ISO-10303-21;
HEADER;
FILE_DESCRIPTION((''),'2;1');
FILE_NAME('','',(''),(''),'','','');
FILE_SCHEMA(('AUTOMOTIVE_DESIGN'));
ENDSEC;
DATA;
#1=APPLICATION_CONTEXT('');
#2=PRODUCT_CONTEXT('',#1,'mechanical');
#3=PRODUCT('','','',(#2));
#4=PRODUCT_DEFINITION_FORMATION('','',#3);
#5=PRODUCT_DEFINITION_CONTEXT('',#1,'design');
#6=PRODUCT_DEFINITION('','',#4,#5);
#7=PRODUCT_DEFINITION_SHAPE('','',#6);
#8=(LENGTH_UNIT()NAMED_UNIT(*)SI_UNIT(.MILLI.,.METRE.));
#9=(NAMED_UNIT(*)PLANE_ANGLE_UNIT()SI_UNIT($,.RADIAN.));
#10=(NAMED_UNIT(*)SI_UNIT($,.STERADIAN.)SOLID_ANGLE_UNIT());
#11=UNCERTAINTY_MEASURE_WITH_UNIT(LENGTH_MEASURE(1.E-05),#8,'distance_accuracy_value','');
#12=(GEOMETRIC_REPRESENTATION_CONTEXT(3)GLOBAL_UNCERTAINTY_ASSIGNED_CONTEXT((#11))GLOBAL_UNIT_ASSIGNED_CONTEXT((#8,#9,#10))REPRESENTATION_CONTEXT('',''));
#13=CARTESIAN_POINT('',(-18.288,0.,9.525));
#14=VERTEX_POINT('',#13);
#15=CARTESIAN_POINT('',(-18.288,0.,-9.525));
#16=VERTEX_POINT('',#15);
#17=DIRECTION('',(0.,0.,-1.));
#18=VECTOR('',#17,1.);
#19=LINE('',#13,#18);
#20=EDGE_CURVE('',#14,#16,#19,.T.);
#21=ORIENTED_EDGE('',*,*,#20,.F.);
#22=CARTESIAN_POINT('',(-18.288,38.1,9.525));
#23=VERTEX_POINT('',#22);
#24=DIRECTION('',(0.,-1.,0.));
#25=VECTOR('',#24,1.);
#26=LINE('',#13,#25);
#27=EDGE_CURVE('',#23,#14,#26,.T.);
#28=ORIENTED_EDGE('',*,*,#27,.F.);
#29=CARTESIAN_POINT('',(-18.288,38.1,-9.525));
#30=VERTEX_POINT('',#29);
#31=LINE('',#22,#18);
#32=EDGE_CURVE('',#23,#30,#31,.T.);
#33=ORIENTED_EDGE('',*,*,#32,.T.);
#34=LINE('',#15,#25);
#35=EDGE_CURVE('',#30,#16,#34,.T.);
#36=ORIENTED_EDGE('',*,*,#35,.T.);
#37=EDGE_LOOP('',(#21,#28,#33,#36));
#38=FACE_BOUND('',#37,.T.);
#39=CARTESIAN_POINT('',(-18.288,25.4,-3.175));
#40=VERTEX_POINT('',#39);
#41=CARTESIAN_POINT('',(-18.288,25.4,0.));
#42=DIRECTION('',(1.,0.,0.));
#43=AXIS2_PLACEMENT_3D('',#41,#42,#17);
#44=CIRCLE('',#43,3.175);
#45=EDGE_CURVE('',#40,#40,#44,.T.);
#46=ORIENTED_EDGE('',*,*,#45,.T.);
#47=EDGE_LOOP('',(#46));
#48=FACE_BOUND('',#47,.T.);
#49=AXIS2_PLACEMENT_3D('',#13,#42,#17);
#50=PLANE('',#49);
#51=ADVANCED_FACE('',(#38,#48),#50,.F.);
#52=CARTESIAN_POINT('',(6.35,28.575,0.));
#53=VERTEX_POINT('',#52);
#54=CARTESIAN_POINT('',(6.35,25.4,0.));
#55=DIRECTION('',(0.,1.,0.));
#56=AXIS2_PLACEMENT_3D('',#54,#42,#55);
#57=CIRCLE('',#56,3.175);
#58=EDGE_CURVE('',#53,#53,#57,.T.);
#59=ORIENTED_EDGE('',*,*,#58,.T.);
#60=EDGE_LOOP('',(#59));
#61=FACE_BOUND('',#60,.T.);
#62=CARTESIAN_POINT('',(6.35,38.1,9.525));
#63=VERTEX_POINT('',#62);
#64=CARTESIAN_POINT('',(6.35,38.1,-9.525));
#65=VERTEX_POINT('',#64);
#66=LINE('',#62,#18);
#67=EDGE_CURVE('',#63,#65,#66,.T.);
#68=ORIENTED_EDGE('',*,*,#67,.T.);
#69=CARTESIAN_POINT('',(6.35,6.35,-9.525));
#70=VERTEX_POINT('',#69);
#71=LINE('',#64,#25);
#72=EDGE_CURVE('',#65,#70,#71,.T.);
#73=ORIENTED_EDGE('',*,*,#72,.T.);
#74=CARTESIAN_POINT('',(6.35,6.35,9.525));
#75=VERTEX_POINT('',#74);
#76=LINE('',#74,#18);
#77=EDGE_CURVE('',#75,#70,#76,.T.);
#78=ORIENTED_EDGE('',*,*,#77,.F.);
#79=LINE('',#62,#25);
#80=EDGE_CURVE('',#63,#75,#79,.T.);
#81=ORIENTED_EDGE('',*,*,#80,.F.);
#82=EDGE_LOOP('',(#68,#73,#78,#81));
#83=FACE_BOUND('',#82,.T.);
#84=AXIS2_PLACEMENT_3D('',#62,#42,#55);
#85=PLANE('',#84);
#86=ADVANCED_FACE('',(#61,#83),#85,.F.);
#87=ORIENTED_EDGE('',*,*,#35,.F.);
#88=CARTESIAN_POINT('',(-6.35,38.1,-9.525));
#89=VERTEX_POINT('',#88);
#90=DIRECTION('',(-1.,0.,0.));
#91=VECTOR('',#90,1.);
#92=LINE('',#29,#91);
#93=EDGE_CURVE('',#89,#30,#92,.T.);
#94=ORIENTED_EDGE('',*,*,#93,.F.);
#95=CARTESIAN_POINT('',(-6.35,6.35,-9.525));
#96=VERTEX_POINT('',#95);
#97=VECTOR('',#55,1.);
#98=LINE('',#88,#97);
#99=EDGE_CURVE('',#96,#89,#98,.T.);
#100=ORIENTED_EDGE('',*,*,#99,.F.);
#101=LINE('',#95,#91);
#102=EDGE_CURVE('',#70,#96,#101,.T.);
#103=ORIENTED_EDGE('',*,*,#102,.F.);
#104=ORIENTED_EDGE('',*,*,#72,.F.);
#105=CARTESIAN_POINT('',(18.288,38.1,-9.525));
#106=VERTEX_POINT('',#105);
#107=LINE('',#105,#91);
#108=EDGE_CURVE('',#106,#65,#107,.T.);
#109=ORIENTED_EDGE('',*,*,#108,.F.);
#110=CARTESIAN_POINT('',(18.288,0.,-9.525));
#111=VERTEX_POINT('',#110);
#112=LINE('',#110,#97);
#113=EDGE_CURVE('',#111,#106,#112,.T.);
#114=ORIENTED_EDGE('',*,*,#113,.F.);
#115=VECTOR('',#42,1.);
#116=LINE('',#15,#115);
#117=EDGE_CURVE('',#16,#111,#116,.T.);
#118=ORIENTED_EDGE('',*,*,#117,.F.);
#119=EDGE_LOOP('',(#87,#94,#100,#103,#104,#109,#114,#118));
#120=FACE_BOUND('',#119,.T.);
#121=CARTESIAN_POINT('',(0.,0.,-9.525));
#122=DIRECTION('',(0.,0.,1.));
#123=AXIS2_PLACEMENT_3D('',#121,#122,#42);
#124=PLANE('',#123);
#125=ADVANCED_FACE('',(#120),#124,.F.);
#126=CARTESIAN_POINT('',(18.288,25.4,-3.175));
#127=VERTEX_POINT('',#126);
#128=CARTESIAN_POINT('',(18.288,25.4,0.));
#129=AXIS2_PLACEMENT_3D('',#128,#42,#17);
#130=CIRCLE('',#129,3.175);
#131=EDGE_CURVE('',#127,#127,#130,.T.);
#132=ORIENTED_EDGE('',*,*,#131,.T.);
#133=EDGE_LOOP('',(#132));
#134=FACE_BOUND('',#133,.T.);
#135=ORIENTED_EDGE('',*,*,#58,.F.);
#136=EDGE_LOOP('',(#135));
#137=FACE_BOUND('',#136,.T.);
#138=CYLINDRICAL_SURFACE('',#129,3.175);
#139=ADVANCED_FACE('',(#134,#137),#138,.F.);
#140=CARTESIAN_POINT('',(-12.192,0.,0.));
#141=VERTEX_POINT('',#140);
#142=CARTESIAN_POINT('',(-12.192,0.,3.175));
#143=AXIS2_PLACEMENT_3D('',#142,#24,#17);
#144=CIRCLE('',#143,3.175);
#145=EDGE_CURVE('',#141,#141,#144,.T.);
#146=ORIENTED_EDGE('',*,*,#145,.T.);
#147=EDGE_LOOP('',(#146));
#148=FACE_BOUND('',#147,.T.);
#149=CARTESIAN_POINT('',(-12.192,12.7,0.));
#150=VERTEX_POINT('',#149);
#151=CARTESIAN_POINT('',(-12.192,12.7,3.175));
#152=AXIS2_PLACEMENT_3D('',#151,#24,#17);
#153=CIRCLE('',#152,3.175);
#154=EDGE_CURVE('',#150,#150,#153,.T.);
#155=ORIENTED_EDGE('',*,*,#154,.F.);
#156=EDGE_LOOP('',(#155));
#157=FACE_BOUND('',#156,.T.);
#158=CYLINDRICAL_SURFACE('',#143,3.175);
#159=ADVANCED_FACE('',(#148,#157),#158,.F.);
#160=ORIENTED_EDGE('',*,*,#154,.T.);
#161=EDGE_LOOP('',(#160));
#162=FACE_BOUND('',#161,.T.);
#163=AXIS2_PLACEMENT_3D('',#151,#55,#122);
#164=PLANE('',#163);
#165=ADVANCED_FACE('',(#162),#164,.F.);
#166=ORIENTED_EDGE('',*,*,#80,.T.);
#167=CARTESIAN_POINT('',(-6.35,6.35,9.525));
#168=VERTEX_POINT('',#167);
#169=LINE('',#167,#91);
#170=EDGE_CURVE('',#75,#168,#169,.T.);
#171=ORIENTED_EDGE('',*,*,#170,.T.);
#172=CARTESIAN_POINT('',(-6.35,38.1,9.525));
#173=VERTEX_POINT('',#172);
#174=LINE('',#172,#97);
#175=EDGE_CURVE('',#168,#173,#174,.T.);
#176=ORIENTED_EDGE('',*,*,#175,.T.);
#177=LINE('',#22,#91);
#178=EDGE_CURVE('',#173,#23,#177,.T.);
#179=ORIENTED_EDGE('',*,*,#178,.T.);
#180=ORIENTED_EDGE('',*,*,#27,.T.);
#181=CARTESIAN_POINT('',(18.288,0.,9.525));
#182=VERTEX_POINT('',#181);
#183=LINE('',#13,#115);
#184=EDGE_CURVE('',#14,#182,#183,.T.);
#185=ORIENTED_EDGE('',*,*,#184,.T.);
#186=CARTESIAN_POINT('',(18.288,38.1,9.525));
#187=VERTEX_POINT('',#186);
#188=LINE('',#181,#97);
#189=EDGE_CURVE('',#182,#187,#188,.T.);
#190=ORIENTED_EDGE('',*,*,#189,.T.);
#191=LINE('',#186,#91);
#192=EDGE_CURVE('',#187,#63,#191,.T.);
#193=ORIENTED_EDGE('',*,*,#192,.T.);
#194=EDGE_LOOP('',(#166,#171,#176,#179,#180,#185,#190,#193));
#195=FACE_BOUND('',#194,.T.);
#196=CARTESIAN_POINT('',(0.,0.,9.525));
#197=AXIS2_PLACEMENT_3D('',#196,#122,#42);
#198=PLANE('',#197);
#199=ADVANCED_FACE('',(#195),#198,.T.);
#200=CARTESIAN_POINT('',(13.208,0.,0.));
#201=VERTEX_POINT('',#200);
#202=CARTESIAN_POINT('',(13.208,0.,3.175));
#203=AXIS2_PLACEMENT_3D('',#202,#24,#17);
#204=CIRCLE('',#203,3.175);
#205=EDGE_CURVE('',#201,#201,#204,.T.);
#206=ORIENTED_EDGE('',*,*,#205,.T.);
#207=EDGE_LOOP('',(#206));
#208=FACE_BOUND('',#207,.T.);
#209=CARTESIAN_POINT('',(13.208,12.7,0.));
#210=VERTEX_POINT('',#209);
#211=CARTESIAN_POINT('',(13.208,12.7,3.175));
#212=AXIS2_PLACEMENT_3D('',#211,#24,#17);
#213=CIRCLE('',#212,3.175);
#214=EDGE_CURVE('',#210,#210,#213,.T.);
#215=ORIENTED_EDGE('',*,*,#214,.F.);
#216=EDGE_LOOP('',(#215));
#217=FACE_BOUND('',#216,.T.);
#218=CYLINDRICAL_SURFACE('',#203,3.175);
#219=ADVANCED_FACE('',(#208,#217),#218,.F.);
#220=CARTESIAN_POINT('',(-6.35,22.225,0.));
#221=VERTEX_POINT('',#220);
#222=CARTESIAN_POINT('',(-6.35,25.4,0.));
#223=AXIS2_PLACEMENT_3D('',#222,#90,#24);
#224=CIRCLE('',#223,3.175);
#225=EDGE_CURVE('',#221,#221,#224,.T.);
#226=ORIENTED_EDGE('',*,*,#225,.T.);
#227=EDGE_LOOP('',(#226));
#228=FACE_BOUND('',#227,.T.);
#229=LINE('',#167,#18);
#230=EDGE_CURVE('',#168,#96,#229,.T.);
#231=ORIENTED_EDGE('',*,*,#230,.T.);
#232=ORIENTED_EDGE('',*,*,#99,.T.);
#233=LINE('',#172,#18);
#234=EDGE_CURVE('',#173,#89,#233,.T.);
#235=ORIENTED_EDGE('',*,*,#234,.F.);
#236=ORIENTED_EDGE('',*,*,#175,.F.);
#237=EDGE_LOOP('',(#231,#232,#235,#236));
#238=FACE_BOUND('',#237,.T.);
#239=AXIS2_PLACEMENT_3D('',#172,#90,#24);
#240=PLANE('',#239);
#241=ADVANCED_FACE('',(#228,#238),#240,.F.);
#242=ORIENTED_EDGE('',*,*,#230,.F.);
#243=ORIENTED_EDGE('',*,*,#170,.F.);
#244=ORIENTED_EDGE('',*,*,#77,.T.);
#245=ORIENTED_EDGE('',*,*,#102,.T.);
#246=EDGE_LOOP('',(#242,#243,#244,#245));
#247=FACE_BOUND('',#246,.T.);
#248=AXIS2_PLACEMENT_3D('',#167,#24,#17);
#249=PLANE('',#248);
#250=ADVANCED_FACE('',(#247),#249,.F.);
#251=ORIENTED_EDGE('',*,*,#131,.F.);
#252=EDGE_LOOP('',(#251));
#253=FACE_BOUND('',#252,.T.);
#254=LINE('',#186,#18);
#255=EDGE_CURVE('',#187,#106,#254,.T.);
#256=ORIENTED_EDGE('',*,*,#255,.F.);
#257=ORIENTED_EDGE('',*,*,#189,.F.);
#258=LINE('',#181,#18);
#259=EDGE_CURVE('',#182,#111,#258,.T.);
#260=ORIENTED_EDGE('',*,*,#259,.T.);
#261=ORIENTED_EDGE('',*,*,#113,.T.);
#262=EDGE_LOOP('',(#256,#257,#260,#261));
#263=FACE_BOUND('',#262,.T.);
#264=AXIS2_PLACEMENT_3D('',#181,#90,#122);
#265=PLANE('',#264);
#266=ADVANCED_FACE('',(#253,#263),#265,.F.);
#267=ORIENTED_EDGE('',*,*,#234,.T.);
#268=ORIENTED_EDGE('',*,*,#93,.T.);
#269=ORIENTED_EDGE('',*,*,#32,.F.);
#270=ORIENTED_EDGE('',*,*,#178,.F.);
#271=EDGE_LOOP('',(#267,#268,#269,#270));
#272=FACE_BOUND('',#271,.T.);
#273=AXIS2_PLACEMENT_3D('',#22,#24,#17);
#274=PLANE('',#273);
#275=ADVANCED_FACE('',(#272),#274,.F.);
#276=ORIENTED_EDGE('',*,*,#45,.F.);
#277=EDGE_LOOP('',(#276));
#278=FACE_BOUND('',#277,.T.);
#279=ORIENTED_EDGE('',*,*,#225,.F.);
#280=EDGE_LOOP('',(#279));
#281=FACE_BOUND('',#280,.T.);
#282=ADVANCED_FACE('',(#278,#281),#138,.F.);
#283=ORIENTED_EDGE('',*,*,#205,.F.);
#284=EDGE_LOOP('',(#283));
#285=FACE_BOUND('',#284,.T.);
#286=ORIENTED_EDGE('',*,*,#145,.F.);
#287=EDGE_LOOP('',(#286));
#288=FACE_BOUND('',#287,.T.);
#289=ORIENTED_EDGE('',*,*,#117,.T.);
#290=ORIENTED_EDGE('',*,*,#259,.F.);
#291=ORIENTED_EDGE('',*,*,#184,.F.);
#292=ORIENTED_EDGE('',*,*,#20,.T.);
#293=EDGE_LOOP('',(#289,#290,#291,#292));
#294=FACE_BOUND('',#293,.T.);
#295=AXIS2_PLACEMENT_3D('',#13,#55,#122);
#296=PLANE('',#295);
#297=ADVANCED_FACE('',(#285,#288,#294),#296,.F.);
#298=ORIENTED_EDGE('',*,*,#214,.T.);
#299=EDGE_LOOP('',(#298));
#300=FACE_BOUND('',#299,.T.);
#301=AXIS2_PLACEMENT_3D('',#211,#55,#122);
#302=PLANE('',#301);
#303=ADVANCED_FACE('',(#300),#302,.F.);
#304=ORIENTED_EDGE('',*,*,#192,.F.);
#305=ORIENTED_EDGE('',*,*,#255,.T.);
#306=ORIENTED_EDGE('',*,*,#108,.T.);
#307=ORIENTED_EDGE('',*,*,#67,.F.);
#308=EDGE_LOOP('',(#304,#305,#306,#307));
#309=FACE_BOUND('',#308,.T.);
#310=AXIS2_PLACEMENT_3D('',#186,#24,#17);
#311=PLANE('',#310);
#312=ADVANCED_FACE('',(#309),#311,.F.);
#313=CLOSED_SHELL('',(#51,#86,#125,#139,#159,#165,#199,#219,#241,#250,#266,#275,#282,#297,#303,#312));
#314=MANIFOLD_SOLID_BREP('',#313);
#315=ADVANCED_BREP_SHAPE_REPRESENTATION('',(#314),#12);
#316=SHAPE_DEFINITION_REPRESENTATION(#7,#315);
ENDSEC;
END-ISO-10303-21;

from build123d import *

# Parameters (mm, degrees)
BOSS_EXTRUDE1_DEPTH = 9.525
HOLE1_D             = 6.35
HOLE2_D             = 6.35
HOLE2_DEPTH         = 12.7


with BuildPart() as part:
    # Sketch1 → Boss-Extrude1 (new, symmetric)
    with BuildSketch(Plane.XY):
        Polygon((-18.288, 0), (-18.288, 38.1), (-6.35, 38.1), (-6.35, 6.35), (6.35, 6.35), (6.35, 38.1), (18.288, 38.1), (18.288, 0), align=None)
    extrude(amount=BOSS_EXTRUDE1_DEPTH, both=True)

    # Hole1 (through all)
    with Locations(Plane(origin=(18.288, 0, 0), x_dir=(0, 0, -1), z_dir=(1, 0, 0))):
        with Locations((0, 25.4)):
            Hole(HOLE1_D / 2)

    # Hole2
    with Locations(Plane(origin=(0, 0, 0), x_dir=(-1, 0, 0), z_dir=(0, -1, 0))):
        with Locations((-13.208, -3.175), (12.192, -3.175)):
            Hole(HOLE2_D / 2, depth=HOLE2_DEPTH)


solid = part.part
